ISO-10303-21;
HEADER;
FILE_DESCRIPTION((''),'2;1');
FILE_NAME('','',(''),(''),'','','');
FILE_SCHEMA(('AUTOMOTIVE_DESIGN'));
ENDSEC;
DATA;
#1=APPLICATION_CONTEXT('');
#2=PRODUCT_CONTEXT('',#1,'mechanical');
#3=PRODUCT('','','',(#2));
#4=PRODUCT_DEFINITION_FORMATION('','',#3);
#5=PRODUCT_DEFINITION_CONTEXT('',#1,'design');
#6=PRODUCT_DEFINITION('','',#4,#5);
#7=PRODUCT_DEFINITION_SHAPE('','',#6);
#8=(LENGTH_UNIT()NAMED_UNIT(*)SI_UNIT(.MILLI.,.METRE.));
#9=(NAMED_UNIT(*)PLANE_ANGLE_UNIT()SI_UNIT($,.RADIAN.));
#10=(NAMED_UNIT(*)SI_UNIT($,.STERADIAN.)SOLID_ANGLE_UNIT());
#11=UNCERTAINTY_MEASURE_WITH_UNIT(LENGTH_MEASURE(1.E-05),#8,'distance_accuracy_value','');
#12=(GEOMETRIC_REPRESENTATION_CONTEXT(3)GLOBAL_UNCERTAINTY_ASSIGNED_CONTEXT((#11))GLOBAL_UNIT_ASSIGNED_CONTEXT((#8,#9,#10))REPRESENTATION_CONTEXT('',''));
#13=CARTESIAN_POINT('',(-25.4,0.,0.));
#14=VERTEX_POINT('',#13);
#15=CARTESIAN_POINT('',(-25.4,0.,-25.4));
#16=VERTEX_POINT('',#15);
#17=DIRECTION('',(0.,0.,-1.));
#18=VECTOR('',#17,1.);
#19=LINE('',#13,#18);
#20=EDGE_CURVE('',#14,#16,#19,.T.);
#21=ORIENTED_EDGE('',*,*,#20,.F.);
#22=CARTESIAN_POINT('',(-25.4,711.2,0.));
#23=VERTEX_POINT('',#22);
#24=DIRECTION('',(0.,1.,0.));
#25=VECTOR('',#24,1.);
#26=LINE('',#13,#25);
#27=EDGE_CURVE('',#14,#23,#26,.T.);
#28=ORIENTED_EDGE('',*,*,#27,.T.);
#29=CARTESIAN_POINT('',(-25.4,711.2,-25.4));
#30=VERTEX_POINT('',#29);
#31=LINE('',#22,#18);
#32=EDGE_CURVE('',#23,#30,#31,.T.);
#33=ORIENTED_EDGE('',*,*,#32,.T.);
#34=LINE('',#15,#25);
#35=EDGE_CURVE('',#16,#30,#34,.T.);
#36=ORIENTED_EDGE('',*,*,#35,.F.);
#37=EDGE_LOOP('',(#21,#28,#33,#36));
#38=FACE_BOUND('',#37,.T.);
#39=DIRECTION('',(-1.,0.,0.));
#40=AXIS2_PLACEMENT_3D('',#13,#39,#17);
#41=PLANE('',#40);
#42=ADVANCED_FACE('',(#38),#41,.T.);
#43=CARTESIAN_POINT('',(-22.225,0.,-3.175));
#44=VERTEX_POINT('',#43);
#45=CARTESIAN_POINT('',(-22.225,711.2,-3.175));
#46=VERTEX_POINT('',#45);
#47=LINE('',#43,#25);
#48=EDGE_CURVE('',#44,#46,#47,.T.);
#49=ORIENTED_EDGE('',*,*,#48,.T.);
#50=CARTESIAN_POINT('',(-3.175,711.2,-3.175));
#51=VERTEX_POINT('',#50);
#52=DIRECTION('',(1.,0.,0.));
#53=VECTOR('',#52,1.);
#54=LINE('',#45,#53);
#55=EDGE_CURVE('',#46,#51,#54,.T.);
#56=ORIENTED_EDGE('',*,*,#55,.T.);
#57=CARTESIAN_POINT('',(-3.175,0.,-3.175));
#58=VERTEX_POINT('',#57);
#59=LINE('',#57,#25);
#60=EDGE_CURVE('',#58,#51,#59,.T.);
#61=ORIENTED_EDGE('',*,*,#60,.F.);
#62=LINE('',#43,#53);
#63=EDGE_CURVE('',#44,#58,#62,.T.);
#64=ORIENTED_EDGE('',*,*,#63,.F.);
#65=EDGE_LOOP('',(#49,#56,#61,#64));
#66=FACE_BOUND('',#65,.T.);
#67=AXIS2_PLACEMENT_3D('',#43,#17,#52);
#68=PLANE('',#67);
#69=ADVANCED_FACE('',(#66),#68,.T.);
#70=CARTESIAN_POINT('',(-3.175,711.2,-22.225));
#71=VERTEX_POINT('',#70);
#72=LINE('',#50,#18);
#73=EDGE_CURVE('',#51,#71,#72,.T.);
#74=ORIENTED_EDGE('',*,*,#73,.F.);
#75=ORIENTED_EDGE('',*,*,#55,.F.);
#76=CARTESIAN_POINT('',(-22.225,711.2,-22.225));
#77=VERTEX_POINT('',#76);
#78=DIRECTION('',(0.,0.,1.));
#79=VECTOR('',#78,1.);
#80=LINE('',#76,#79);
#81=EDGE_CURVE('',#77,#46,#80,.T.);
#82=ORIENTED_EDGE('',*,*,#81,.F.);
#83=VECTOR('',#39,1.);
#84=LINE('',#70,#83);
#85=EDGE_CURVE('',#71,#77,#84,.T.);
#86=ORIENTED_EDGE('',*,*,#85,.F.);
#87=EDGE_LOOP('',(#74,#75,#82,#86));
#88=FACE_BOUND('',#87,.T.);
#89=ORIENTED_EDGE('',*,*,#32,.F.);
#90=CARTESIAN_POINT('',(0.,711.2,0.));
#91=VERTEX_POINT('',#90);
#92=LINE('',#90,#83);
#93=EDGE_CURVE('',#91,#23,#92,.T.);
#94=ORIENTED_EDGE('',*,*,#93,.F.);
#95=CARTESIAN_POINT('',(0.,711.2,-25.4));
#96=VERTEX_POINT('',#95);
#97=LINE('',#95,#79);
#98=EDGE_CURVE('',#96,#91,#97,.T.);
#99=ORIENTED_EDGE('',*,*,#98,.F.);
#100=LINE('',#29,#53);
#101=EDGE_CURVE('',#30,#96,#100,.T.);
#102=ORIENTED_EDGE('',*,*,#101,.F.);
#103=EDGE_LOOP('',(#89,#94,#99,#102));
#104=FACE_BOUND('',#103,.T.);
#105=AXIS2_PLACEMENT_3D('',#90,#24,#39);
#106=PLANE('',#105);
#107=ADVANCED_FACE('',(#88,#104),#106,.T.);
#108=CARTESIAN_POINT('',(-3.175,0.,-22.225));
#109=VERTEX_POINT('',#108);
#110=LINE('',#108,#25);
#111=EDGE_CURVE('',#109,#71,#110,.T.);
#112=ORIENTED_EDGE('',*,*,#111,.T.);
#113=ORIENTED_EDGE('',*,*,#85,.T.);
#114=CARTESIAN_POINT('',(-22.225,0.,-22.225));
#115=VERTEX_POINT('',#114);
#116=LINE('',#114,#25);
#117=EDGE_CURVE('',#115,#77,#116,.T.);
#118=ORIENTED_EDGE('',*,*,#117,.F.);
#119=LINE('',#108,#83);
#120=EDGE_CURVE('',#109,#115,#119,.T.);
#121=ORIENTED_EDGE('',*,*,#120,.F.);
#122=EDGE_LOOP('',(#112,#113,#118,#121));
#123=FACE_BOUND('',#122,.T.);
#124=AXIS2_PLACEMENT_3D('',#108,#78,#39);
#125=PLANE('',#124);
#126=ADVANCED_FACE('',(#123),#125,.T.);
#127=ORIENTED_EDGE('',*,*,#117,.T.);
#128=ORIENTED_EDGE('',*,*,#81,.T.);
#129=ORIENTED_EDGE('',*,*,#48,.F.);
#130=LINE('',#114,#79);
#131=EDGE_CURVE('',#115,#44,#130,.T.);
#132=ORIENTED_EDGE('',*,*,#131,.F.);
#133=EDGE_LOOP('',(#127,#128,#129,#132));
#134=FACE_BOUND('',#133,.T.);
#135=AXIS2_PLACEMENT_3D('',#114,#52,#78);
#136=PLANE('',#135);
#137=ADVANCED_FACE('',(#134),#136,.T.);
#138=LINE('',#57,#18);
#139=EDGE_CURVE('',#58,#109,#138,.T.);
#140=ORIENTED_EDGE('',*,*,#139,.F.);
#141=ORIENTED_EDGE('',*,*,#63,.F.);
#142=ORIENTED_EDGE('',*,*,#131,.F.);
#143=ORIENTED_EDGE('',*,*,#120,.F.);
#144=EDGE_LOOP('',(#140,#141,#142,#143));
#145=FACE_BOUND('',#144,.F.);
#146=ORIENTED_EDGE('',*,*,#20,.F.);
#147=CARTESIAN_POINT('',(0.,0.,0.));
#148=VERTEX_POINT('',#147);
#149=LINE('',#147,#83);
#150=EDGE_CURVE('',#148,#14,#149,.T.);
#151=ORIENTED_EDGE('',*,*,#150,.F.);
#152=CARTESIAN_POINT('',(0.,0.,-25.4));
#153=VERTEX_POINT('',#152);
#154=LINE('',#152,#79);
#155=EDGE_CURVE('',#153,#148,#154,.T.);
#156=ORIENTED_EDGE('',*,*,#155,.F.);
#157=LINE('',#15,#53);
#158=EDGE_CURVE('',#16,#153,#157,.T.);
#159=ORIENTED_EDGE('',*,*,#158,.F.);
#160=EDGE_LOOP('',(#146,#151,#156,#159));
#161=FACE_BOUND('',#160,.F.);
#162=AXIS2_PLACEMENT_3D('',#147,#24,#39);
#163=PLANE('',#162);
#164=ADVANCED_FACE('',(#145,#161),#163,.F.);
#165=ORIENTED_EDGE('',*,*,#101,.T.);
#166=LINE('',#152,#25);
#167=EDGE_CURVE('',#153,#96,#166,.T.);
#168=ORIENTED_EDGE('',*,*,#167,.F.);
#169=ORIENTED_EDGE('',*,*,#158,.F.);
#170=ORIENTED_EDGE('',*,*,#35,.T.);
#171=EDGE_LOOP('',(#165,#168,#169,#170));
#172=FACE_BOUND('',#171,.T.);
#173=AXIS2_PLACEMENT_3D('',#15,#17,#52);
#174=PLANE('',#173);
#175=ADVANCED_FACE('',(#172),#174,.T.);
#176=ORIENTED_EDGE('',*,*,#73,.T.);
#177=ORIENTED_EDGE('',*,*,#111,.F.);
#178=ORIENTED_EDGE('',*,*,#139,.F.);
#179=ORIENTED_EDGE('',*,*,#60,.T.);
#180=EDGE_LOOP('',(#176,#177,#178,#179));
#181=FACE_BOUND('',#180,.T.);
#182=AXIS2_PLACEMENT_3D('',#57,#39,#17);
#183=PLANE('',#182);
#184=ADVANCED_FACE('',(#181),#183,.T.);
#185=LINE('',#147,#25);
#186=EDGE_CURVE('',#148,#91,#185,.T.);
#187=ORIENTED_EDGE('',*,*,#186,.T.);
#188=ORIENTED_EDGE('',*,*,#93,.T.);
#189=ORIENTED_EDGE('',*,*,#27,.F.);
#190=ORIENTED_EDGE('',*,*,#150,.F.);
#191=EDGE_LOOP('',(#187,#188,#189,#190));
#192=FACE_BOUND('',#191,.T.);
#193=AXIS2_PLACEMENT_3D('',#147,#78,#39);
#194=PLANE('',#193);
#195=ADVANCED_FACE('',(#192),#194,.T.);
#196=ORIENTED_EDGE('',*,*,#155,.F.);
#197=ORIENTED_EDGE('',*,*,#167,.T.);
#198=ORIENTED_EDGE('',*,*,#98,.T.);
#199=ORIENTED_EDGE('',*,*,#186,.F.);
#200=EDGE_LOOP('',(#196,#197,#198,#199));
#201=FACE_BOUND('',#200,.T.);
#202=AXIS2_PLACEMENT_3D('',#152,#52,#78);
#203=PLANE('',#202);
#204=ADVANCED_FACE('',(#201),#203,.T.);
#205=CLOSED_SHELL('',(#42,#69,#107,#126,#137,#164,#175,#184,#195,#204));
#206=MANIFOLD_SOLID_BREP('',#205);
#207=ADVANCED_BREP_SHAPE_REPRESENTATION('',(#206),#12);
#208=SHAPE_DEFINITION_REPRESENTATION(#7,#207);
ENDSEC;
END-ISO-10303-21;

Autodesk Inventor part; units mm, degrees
ref_plane "YZ Plane" through (0, 0, 0) normal (1, 0, 0) x (0, 1, 0)
ref_plane "XZ Plane" through (0, 0, 0) normal (0, 1, 0) x (-1, 0, 0)
ref_plane "XY Plane" through (0, 0, 0) normal (0, 0, 1) x (1, 0, 0)
sketch "Sketch1" plane through (0, 0, 0) normal (0, 1, 0) x (-1, 0, 0)
  line L0 (0, 0) -> (25.4, 0)
  line L1 (25.4, 0) -> (25.4, -25.4)
  line L2 (25.4, -25.4) -> (0, -25.4)
  line L3 (0, -25.4) -> (0, 0)
  line L4 (22.225, -3.175) -> (3.175, -3.175)
  line L5 (3.175, -3.175) -> (3.175, -22.225)
  line L6 (3.175, -22.225) -> (22.225, -22.225)
  line L7 (22.225, -22.225) -> (22.225, -3.175)
  dimension "d0" = 25.4
  dimension "d1" = 25.4
  dimension "d2" = 3.175
extrude "Extrusion1" add sketch "Sketch1" along normal blind 711.2
properties part number "1x1x28"
